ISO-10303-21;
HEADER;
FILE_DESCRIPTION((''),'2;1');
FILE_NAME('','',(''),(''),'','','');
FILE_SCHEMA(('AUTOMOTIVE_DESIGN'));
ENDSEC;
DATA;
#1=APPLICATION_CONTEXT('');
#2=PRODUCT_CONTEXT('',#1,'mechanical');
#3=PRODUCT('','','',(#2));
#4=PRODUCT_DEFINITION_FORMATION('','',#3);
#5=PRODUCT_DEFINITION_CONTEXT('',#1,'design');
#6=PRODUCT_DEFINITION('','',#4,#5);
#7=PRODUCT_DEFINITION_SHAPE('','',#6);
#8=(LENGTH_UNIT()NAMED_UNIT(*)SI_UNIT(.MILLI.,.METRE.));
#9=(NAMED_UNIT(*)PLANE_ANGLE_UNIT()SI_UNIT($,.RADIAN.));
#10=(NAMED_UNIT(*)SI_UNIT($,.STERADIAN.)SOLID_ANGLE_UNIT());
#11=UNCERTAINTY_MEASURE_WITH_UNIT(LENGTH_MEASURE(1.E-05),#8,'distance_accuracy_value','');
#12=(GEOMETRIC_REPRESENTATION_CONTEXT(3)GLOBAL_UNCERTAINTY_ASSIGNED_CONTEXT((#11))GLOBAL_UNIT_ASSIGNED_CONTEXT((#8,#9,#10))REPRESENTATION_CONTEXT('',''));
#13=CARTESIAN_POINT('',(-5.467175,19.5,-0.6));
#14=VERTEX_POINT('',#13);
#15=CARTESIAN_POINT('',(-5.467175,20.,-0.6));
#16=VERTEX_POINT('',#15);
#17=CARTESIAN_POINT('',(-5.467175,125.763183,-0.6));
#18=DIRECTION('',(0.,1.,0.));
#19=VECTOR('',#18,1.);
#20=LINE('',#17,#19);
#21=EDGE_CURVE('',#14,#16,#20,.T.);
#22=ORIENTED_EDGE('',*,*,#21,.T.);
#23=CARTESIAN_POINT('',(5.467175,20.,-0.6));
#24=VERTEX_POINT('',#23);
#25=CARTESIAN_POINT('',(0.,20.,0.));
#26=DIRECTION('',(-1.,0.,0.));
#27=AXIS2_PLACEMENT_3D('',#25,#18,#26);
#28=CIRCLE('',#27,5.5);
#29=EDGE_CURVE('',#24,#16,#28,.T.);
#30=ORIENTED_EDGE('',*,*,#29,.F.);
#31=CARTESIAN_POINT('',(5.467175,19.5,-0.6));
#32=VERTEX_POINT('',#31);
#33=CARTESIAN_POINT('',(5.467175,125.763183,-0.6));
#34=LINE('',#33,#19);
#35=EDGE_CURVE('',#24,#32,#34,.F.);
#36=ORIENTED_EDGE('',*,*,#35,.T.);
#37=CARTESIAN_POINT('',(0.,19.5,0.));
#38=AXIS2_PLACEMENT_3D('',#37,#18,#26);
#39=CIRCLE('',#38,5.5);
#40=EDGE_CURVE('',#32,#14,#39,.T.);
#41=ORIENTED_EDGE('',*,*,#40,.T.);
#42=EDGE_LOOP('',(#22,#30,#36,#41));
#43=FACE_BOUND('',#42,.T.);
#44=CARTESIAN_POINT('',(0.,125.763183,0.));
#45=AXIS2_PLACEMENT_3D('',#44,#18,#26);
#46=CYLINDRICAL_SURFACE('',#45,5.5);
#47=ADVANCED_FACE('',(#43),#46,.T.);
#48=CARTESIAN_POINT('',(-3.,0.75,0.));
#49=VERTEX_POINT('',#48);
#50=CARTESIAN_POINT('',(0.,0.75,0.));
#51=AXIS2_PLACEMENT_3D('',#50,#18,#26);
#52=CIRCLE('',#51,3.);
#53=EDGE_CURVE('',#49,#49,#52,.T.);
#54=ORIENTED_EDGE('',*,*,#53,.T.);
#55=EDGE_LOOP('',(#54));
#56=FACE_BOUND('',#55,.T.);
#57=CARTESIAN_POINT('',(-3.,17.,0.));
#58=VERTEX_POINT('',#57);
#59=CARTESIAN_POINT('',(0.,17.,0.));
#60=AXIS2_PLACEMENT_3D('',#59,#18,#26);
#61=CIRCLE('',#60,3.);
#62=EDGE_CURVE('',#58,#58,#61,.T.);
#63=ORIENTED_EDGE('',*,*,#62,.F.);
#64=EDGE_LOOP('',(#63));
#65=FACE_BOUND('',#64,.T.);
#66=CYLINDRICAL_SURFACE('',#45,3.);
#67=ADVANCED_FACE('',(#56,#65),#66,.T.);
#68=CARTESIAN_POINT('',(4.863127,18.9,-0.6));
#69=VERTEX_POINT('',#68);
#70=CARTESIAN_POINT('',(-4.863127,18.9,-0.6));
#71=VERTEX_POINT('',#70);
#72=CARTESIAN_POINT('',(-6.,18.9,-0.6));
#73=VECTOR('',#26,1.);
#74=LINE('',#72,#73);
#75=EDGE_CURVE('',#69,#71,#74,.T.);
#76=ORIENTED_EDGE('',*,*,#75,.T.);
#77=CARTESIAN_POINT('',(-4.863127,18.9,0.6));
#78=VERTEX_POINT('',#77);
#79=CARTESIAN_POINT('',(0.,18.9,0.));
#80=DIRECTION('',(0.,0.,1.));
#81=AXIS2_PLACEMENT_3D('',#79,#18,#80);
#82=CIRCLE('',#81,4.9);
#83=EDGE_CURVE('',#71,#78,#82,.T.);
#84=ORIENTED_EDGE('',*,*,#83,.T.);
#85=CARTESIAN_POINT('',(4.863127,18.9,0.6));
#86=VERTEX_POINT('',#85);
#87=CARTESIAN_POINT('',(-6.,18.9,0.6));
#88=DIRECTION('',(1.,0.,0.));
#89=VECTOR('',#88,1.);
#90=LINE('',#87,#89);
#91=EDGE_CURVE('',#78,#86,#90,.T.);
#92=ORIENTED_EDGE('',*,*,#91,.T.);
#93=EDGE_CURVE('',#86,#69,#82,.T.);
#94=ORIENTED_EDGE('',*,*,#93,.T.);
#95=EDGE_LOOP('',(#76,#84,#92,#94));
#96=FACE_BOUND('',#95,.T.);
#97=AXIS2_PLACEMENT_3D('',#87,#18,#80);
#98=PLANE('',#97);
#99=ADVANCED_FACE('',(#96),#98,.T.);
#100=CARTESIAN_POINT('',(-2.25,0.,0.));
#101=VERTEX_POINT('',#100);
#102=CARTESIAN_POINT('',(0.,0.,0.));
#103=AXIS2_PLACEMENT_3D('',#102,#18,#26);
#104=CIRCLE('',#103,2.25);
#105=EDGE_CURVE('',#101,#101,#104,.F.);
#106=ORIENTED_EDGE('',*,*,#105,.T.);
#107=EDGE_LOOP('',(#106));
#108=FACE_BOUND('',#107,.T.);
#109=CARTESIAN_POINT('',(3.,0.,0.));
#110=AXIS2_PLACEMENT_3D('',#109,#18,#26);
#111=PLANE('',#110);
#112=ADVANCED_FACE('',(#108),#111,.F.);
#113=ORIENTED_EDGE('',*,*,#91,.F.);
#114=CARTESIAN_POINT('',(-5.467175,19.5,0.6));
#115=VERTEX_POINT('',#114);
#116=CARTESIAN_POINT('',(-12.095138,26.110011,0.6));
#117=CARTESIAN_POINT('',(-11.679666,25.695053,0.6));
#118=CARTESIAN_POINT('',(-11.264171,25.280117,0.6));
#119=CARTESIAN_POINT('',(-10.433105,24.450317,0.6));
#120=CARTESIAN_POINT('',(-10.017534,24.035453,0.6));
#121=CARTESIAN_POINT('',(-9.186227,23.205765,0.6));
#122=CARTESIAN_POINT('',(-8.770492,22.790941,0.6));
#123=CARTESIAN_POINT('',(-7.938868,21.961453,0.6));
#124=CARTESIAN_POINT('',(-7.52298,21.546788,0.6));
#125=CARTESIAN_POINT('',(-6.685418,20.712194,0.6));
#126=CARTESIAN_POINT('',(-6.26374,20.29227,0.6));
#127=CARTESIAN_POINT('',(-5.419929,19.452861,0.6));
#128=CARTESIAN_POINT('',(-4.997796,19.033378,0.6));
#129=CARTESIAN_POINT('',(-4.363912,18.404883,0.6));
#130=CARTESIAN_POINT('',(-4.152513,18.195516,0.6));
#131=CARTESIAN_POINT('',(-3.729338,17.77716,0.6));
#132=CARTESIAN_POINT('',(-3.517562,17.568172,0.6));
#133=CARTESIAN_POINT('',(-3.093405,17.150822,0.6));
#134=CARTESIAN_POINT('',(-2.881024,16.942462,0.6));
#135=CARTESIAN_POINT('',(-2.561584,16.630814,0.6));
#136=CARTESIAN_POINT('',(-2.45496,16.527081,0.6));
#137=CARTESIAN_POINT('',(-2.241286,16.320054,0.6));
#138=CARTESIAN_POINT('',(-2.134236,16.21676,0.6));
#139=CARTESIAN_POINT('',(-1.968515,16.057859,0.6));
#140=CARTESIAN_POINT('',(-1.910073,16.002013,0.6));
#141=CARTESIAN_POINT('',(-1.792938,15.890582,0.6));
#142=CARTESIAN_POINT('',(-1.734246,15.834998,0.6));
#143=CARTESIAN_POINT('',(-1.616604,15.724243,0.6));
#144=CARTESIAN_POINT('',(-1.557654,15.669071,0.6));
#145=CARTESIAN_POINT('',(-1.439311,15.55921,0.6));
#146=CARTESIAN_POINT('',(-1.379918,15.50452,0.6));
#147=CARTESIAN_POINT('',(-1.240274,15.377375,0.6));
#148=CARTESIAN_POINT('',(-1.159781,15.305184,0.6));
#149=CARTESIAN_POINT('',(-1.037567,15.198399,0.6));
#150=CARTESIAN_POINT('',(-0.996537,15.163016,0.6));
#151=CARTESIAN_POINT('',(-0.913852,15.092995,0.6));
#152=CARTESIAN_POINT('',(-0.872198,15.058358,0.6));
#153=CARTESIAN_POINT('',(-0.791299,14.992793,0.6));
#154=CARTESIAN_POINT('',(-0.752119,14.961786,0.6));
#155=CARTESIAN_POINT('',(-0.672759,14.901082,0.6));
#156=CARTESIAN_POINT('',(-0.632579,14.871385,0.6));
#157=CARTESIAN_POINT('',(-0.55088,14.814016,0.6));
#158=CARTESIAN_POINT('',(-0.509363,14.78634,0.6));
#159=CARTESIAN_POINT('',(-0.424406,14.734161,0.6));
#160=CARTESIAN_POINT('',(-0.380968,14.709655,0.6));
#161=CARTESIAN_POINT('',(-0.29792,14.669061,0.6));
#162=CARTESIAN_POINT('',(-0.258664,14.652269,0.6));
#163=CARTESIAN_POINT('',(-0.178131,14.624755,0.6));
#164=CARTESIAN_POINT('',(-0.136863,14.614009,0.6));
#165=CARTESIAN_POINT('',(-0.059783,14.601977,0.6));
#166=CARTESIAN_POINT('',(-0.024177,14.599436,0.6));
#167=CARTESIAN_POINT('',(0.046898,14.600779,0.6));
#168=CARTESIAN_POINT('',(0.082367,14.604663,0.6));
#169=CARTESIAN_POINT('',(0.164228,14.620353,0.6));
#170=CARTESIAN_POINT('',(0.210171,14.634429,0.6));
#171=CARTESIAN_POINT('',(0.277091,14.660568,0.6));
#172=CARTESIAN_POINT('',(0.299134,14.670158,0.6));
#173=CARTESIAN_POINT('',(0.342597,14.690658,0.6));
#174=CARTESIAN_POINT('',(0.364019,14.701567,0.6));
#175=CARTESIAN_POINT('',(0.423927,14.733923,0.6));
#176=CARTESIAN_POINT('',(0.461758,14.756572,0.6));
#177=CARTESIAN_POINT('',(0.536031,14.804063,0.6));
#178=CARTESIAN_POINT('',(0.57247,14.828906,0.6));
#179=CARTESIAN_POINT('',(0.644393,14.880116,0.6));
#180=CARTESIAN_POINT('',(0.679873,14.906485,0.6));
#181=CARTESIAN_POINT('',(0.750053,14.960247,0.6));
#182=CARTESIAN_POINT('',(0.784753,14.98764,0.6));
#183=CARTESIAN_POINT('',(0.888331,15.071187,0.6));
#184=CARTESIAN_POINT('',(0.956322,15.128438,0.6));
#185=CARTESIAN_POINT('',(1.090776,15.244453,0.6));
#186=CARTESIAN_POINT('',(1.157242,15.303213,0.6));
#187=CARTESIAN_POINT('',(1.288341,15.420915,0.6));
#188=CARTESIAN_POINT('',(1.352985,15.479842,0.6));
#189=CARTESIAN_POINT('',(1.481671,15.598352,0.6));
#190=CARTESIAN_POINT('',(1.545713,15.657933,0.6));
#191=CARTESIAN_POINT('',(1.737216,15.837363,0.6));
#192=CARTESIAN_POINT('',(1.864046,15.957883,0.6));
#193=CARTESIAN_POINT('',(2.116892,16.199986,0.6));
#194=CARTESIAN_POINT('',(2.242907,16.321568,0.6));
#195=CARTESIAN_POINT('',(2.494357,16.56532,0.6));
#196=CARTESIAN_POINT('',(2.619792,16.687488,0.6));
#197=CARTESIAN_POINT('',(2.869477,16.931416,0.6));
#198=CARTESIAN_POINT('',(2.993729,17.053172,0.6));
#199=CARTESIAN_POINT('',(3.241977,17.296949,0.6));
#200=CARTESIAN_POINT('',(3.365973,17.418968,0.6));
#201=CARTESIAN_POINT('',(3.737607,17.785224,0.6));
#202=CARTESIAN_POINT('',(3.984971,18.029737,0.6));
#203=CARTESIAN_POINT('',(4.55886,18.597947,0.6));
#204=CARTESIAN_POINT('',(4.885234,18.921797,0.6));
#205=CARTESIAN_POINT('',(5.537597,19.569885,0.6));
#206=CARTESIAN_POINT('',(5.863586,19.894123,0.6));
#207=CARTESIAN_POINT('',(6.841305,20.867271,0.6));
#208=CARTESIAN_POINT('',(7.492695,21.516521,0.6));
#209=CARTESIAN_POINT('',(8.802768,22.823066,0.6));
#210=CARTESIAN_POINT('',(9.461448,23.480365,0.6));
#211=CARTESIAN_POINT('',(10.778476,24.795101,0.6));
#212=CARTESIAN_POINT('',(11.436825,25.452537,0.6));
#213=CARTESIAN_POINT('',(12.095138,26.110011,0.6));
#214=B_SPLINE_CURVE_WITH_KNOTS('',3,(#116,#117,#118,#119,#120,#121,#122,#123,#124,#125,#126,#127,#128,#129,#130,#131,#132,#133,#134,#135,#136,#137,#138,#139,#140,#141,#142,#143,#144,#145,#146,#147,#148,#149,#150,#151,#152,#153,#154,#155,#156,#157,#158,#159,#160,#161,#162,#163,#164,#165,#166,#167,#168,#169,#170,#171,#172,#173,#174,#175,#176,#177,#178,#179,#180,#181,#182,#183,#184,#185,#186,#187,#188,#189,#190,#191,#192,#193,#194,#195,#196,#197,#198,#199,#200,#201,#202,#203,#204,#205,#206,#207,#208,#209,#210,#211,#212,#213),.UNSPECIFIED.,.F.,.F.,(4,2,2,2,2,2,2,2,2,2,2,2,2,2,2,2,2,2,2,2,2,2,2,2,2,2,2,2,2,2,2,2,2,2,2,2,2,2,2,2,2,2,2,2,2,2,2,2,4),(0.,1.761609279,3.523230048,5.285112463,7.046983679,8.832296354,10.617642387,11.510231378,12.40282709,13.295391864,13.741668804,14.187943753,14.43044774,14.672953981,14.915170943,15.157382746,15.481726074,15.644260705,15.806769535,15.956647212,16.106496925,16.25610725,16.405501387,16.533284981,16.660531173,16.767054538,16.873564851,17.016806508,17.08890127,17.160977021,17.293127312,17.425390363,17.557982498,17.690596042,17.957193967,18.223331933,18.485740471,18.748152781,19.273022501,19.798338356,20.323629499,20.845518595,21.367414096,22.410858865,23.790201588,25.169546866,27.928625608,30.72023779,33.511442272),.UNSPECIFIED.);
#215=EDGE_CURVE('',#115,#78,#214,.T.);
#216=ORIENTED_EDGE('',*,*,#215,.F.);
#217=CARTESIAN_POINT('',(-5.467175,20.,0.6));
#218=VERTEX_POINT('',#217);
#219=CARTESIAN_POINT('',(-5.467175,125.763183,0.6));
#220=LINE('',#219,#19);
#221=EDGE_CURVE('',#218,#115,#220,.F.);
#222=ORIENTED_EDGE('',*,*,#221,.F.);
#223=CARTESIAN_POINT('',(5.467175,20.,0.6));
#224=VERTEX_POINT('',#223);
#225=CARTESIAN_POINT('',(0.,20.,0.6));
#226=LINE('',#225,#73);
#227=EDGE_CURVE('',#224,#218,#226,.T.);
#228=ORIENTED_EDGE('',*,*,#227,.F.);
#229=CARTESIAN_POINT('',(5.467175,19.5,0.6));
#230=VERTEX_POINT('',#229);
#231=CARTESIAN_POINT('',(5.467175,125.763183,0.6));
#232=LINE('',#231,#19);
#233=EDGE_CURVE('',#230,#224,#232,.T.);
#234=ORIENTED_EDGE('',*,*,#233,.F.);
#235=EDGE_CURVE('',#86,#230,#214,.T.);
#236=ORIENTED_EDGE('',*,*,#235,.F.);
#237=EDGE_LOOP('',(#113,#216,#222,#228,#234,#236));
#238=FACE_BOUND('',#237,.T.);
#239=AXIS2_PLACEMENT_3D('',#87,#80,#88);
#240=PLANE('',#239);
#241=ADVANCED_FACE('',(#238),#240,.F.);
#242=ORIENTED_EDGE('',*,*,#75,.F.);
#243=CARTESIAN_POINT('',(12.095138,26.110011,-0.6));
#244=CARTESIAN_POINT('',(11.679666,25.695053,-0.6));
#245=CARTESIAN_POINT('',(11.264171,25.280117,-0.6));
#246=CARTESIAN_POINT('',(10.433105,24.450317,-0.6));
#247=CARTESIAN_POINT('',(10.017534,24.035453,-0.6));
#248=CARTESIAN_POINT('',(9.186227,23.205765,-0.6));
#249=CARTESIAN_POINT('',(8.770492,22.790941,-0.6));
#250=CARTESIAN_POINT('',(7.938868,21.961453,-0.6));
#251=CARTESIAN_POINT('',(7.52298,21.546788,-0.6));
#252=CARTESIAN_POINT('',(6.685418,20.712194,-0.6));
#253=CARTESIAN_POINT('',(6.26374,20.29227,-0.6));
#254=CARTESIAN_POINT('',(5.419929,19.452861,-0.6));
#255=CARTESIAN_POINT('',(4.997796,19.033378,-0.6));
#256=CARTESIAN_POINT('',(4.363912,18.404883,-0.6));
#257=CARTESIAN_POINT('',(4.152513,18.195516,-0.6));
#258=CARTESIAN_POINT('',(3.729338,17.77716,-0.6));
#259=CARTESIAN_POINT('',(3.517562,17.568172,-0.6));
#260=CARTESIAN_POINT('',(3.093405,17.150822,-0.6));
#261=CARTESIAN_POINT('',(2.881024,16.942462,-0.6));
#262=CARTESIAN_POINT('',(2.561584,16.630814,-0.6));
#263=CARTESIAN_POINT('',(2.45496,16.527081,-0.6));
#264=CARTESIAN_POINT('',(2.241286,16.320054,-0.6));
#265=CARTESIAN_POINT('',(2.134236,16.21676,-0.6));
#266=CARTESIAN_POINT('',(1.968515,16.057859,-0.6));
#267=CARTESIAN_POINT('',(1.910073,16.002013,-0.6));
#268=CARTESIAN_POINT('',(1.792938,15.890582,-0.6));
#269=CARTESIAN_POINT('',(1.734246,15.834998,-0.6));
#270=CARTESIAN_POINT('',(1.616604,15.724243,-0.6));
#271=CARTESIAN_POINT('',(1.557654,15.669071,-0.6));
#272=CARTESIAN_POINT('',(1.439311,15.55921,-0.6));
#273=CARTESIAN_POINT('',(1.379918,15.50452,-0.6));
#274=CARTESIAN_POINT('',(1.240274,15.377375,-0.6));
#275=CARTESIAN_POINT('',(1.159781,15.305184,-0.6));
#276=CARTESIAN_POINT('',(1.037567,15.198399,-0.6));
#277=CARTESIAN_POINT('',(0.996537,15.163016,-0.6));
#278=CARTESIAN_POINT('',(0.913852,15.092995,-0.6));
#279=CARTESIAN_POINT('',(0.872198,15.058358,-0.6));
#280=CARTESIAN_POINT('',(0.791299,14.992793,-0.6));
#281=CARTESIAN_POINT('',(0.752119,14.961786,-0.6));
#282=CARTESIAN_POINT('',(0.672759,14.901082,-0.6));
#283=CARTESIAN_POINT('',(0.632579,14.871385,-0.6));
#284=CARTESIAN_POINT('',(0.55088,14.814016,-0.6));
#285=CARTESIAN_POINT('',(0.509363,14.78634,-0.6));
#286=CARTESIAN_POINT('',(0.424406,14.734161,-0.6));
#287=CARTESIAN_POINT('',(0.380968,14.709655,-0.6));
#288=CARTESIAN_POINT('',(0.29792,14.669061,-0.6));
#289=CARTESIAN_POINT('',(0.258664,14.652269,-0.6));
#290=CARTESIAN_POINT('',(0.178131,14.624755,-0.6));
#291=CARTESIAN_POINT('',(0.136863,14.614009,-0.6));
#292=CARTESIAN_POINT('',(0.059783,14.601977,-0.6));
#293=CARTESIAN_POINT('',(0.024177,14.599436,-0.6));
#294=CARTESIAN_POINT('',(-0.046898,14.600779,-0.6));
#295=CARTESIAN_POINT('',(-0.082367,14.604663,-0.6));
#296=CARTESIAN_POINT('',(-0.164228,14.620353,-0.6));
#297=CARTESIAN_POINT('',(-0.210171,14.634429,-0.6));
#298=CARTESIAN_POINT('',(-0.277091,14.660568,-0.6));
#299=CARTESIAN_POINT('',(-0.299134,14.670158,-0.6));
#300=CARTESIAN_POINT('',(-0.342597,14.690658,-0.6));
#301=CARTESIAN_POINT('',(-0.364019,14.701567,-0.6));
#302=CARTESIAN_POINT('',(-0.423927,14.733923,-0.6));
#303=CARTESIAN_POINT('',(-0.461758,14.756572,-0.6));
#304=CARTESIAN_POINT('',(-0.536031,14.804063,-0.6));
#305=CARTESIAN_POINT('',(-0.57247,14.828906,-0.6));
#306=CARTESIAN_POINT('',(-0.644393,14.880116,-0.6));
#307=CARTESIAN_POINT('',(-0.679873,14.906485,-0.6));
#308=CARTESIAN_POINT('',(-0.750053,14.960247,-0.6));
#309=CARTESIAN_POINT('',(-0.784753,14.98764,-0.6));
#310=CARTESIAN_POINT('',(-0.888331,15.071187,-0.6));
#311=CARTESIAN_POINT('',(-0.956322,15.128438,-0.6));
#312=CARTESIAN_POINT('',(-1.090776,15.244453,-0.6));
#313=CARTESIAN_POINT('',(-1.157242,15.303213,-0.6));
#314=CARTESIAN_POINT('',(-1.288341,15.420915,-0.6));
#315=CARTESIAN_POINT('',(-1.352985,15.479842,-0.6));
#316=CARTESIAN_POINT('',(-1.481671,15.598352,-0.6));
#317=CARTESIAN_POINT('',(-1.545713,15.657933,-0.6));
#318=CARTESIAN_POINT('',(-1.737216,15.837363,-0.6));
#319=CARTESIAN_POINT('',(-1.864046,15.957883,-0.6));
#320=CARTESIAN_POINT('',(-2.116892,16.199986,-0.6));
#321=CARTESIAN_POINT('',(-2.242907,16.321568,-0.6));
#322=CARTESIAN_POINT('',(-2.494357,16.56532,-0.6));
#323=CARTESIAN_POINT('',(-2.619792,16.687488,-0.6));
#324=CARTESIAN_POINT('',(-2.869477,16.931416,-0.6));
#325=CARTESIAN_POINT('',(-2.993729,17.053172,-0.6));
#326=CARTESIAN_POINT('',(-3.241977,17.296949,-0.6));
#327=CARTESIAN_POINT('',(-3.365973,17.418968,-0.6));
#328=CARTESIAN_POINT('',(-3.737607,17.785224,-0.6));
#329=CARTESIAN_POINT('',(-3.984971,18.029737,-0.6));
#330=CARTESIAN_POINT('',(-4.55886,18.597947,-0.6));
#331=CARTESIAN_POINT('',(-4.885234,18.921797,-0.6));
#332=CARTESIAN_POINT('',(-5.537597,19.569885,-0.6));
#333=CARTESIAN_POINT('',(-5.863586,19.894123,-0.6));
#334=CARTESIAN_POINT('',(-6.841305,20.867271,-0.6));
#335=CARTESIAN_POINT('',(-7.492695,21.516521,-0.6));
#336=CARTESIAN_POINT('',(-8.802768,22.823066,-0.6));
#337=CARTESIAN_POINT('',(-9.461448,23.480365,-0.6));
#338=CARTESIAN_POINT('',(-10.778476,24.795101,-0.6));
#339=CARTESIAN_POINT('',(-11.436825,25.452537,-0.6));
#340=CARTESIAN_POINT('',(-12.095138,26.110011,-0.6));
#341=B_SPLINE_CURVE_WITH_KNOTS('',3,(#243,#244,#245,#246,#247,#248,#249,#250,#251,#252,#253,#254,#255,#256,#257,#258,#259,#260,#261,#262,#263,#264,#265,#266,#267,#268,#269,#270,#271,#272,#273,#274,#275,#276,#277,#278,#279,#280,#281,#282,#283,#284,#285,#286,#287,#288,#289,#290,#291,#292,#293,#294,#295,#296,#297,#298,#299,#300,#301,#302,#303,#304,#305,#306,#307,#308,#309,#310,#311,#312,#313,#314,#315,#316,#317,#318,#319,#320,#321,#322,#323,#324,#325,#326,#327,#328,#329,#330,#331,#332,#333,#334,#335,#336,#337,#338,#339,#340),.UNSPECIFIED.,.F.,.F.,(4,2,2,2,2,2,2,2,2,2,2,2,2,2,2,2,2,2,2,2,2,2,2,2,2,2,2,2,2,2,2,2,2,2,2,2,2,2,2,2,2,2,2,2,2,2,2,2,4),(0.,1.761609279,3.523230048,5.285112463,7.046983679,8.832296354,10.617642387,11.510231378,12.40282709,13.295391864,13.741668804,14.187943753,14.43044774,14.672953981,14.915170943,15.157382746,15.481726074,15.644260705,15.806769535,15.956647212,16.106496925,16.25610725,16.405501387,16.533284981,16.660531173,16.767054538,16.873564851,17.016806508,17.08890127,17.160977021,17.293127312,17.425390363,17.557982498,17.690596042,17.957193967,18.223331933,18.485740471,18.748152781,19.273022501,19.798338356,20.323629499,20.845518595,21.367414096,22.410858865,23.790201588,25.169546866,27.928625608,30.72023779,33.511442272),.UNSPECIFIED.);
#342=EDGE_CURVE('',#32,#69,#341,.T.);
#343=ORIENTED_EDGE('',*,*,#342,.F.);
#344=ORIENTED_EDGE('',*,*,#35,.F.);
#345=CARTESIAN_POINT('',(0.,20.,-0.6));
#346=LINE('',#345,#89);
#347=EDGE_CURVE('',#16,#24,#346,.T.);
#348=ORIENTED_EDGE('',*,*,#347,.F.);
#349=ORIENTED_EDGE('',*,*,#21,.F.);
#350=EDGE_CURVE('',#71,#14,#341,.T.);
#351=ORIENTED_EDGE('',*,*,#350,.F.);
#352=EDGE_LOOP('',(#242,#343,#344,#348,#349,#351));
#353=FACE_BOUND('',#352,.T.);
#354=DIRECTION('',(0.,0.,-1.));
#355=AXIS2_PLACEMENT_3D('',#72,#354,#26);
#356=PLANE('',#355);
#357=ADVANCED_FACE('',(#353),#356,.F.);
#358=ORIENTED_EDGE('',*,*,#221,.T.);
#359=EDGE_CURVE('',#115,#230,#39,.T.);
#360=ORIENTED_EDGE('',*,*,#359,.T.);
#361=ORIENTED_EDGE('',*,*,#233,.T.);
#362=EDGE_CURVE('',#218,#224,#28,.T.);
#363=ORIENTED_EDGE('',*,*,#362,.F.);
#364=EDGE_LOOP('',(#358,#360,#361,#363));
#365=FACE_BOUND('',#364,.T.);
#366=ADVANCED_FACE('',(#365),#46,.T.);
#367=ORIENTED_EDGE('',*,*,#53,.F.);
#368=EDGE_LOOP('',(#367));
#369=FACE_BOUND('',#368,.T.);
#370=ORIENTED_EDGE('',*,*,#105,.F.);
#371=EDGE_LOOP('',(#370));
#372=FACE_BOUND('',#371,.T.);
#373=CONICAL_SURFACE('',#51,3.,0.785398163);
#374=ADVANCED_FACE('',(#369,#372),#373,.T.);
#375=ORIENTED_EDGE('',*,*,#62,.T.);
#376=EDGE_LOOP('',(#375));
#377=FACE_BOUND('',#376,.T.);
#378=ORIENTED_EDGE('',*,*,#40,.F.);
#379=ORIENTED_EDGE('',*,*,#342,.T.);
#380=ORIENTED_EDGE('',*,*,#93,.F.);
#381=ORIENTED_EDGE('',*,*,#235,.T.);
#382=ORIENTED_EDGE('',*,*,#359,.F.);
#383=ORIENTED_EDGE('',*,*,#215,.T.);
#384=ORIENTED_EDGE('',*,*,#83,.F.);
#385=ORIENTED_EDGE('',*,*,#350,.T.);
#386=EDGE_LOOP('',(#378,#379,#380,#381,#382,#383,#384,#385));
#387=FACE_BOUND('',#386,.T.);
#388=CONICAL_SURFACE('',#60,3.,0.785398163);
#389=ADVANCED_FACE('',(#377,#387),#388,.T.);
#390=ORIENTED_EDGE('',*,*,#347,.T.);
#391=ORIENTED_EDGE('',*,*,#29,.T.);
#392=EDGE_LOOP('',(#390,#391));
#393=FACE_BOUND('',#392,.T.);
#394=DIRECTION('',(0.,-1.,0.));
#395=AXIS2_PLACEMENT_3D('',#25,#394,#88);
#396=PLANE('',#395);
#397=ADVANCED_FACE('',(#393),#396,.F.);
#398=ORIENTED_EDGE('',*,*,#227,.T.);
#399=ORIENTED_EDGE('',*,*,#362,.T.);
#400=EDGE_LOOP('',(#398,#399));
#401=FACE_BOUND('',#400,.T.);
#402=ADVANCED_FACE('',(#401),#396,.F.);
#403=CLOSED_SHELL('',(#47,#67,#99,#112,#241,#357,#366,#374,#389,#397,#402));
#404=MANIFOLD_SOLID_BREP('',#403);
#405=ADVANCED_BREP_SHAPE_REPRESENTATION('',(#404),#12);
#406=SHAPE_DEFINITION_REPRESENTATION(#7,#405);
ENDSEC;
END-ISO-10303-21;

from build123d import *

# Parameters (mm, degrees)
SKETCH_13_W         = 12
SKETCH_13_H         = 1.2
CUT_EXTRUDE_9_DEPTH = 1.1
CHAMFER_1_SIZE      = 0.75


with BuildPart() as part:
    # Эскиз1 → Повернуть1 (revolve)
    with BuildSketch(Plane.XY):
        Polygon((0, 20), (0, 0), (3, 0), (3, 17), (5.5, 19.5), (5.5, 20), align=None)
    revolve(axis=Axis((0, 125.763182898, 0), (0, -1, 0)))

    # Эскиз13 → Вырез-Вытянуть9 (cut)
    with BuildSketch(Plane(origin=(0, 20, 0), x_dir=(-1, 0, 0), z_dir=(0, 1, 0))):
        Rectangle(SKETCH_13_W, SKETCH_13_H)
    extrude(amount=-CUT_EXTRUDE_9_DEPTH, mode=Mode.SUBTRACT)

    # Фаска1
    chamfer_1_edges = [part.edges().sort_by_distance(p)[0] for p in [
        (-3, 0, 0),
    ]]
    chamfer(chamfer_1_edges, length=CHAMFER_1_SIZE)


solid = part.part
